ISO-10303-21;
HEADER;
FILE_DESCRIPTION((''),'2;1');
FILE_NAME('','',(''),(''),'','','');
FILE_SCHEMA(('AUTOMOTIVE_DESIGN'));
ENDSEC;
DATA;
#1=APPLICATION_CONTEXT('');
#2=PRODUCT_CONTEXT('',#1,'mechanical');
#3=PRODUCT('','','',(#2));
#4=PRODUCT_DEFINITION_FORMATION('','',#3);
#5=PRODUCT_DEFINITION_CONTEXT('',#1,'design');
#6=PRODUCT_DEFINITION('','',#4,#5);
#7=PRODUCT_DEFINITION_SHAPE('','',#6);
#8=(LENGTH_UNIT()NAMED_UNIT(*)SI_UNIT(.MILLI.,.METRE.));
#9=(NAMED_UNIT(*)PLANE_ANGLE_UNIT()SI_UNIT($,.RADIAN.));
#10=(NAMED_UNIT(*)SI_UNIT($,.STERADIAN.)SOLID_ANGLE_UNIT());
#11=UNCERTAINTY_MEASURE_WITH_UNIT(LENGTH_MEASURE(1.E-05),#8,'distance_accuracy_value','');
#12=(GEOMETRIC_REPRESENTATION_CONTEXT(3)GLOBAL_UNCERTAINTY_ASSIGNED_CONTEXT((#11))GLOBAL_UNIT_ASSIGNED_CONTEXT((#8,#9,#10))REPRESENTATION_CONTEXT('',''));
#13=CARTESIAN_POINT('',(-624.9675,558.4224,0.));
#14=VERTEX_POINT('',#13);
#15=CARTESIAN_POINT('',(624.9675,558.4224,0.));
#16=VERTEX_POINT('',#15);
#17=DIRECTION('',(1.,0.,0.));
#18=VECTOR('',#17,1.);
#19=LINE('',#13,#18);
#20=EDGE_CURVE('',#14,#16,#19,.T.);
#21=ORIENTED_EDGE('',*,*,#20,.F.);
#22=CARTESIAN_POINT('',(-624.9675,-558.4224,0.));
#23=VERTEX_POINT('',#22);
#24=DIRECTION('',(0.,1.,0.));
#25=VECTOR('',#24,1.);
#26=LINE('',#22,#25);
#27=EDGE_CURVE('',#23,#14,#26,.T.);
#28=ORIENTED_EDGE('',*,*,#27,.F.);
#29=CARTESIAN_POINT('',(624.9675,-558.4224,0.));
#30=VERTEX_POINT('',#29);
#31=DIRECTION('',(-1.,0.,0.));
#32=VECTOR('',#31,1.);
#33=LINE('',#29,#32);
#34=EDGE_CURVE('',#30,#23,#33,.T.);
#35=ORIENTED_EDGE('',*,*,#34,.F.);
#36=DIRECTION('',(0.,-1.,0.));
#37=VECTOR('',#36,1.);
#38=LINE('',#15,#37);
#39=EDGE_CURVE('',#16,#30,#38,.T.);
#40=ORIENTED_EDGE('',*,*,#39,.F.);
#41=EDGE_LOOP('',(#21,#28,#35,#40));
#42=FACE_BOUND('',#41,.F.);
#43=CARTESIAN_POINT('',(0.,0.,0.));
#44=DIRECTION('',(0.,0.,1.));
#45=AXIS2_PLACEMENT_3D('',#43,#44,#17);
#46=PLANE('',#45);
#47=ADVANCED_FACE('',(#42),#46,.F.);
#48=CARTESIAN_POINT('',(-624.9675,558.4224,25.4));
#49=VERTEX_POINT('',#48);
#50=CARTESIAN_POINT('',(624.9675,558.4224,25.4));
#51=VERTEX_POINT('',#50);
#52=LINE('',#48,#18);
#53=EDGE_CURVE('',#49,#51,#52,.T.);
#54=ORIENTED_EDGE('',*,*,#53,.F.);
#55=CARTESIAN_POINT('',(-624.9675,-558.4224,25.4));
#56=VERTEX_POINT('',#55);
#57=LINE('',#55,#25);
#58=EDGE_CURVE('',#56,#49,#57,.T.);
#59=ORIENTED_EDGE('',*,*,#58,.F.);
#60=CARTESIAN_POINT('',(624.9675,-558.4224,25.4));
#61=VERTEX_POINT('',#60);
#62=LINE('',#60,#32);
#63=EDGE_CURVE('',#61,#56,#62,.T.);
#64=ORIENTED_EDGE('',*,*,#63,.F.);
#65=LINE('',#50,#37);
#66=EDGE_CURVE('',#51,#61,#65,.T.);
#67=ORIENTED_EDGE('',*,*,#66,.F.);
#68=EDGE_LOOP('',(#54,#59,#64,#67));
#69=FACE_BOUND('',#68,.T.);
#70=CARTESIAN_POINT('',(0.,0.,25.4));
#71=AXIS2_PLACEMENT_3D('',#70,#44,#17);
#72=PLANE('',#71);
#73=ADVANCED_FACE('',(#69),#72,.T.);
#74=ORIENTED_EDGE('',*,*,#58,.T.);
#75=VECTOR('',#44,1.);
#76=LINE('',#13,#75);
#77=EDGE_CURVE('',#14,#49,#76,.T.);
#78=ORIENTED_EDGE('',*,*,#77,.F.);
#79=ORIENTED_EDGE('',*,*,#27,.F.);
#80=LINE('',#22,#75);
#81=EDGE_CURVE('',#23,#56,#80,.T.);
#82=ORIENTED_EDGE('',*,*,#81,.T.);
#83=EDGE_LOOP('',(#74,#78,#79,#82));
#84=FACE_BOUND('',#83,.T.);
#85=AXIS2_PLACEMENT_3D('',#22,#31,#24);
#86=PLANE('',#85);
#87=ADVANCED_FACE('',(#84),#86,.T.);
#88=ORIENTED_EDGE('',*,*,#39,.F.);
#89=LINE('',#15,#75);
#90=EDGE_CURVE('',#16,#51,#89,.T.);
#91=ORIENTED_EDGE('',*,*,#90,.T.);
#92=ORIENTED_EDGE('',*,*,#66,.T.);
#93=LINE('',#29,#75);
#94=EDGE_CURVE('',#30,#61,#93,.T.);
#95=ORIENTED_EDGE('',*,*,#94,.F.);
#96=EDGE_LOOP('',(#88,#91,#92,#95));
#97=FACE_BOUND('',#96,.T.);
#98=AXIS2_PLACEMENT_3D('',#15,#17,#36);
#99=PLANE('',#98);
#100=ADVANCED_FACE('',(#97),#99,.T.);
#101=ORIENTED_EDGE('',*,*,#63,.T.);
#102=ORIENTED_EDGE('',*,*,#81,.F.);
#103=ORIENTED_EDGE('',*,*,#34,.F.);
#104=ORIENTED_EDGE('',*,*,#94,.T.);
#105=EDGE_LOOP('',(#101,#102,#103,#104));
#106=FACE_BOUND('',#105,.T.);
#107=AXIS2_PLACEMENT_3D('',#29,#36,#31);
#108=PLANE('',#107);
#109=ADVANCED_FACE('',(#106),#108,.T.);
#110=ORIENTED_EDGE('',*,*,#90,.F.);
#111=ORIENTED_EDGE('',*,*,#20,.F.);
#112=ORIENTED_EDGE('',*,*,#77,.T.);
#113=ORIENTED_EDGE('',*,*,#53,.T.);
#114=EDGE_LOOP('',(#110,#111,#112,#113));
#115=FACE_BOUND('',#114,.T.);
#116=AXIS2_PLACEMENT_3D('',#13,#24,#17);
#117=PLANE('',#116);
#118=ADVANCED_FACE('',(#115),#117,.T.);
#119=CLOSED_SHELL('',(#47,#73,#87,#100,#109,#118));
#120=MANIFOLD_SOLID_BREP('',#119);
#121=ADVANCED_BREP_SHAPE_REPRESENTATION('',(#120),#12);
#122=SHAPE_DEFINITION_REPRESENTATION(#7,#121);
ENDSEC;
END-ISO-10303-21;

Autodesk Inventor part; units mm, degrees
ref_plane "YZ Plane" through (0, 0, 0) normal (1, 0, 0) x (0, 1, 0)
ref_plane "XZ Plane" through (0, 0, 0) normal (0, 1, 0) x (-1, 0, 0)
ref_plane "XY Plane" through (0, 0, 0) normal (0, 0, 1) x (1, 0, 0)
sketch "Sketch1" plane through (0, 0, 0) normal (0, 0, 1) x (1, 0, 0)
  line L0 (-624.9675, 558.4224) -> (624.9675, 558.4224)
  line L1 (624.9675, 558.4224) -> (624.9675, -558.4224)
  line L2 (624.9675, -558.4224) -> (-624.9675, -558.4224)
  line L3 (-624.9675, -558.4224) -> (-624.9675, 558.4224)
  line L4 (-624.9675, 558.4224) -> (624.9675, -558.4224) construction
  line L5 (624.9675, 558.4224) -> (-624.9675, -558.4224) construction
  point P0 (0, 0)
extrude "Extrusion1" add sketch "Sketch1" along normal blind 25.4
properties part number "Plate"
